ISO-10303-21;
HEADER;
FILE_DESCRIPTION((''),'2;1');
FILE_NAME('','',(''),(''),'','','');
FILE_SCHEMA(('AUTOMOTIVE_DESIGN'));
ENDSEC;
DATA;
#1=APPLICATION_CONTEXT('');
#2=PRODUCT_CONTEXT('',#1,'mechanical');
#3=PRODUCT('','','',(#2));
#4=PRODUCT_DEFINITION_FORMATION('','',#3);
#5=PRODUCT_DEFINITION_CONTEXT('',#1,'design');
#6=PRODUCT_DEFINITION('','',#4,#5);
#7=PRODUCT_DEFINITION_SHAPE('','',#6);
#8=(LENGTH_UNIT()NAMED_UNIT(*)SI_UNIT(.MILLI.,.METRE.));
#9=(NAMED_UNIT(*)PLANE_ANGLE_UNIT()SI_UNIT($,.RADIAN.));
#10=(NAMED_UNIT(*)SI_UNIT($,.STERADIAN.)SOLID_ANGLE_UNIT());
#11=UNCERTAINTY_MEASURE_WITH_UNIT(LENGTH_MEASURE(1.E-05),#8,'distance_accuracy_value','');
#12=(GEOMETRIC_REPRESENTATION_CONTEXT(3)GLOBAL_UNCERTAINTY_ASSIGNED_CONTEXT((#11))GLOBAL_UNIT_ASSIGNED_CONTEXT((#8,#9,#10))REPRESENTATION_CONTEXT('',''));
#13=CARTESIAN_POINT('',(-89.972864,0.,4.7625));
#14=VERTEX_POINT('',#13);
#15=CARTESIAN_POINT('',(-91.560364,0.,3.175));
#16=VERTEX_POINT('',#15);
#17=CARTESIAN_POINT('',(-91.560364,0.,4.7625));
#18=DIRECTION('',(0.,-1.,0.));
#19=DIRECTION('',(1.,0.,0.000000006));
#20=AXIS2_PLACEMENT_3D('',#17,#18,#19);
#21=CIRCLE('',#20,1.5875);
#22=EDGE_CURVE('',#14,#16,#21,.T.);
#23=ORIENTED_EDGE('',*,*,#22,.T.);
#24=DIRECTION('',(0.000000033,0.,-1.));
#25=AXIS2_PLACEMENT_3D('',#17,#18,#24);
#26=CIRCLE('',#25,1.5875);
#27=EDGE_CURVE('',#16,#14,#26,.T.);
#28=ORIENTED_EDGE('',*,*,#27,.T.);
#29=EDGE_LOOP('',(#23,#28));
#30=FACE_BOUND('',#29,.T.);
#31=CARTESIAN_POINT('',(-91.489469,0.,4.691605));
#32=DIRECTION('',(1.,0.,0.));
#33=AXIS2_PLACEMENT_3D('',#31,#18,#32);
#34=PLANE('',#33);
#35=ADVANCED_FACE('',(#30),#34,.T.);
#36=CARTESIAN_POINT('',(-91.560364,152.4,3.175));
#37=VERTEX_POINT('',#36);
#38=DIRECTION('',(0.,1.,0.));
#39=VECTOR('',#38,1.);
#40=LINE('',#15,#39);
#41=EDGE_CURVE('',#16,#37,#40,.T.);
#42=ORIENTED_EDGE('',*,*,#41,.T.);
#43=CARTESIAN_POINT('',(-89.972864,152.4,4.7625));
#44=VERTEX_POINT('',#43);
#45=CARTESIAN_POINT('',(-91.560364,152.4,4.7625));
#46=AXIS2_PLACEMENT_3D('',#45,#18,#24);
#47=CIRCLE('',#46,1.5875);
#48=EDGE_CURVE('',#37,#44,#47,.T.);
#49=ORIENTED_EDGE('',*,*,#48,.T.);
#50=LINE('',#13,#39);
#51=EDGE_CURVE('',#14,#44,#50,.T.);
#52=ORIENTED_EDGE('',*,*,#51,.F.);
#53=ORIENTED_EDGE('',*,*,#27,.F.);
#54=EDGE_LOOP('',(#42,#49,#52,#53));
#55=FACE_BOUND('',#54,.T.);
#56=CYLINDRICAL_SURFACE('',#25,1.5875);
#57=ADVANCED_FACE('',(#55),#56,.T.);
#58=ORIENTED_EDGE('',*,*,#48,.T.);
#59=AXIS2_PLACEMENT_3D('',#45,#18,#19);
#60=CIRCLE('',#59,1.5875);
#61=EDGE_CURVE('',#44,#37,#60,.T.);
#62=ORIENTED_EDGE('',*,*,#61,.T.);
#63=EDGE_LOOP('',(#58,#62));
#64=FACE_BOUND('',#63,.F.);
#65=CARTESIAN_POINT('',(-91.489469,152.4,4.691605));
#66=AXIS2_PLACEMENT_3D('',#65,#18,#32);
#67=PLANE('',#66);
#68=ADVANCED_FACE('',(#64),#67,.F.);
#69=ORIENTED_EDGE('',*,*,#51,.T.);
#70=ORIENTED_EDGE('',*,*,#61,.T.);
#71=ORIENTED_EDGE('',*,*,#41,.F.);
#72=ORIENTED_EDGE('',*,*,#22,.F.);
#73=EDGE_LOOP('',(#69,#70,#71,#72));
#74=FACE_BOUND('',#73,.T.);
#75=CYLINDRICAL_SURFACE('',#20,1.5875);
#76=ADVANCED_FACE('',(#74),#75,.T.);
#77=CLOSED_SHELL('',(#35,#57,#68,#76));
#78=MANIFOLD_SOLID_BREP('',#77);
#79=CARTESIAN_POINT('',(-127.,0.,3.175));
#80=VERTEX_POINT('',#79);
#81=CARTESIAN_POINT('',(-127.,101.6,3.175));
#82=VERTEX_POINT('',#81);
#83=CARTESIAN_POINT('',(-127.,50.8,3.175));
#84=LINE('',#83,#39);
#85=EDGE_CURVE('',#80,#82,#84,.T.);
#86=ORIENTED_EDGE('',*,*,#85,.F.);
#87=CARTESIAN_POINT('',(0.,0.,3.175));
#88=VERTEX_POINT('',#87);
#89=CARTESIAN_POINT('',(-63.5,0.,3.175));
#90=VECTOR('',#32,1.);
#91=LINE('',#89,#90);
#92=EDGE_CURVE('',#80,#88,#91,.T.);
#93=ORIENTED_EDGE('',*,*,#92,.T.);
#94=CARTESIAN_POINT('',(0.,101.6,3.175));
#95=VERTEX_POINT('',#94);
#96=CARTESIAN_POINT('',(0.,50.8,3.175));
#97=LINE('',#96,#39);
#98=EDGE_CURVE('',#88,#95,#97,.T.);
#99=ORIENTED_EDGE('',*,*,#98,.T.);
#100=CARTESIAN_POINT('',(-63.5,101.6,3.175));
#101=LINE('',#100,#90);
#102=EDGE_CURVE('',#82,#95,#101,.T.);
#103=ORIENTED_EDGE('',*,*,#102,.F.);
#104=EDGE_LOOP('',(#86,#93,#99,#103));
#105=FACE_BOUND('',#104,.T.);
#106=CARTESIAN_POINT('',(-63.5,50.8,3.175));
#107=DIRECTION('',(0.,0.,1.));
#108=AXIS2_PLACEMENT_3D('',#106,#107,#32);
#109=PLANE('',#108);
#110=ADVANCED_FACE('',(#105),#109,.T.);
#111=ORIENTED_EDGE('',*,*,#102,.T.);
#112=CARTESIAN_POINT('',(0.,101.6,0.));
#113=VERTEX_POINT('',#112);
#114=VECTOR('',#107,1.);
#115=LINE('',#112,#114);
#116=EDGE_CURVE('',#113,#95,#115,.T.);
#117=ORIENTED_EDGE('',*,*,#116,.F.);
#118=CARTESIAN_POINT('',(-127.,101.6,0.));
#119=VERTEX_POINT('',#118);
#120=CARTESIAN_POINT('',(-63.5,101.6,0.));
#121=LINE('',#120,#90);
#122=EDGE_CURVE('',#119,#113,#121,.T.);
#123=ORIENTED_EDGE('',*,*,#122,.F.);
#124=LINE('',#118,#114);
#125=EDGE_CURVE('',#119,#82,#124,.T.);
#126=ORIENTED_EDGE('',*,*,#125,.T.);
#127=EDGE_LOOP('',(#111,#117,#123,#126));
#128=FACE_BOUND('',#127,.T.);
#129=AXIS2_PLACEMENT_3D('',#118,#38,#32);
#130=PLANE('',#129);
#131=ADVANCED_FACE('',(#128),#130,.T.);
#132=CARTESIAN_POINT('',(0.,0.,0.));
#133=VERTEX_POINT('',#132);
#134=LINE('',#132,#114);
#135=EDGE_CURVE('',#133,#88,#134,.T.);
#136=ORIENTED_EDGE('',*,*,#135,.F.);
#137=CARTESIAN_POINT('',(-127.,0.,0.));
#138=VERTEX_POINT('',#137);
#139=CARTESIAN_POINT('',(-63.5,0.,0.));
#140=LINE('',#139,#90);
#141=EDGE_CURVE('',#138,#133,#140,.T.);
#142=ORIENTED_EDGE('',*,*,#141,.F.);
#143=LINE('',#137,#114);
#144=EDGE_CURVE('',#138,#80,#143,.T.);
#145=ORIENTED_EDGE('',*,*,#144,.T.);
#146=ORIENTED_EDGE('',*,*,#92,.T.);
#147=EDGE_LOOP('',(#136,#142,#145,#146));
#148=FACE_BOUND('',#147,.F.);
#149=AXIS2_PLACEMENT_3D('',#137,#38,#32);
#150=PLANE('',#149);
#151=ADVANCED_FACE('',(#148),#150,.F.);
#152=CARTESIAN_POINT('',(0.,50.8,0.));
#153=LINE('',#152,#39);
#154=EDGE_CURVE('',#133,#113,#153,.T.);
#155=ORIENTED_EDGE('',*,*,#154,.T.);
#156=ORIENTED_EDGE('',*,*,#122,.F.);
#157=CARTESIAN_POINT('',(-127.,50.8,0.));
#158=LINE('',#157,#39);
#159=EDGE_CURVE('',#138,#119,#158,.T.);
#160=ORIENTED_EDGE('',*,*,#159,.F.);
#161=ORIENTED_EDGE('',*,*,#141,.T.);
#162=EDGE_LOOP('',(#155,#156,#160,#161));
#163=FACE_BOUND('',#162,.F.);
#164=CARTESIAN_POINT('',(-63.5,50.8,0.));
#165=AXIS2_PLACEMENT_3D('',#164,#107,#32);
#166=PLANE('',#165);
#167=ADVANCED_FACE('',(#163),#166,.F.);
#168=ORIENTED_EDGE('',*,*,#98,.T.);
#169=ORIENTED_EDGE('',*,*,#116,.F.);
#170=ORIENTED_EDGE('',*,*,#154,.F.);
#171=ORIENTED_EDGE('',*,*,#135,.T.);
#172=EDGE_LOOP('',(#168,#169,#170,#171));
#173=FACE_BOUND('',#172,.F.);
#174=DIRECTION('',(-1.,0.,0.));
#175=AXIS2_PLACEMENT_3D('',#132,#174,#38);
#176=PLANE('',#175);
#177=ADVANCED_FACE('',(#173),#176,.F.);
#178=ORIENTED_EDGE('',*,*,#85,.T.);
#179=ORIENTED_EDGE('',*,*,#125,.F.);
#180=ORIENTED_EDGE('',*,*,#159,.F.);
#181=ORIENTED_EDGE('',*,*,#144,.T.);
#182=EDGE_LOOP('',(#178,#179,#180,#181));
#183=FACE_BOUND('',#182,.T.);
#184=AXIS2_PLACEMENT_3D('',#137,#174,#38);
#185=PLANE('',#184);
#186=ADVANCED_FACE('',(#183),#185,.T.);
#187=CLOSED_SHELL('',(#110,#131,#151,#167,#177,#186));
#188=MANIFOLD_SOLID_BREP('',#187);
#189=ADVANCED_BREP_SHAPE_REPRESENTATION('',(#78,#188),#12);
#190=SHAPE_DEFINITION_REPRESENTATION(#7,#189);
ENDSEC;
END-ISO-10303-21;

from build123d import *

# Parameters (mm, degrees)
F0_W     = 127
F0_H     = 101.6
F1_DEPTH = 3.175
F3_DEPTH = 152.4


with BuildPart() as f1:
    # F0 (on Top) → F1 (new body)
    with BuildSketch(Plane.XY):
        with Locations((-63.5, 50.8)):
            Rectangle(F0_W, F0_H)
    extrude(amount=F1_DEPTH)


with BuildPart() as f3:
    # F2 (on face) → F3 (new body)
    with BuildSketch(Plane.XZ):
        with BuildLine():
            ThreePointArc((-91.560364, 3.175), (-90.437832, 3.639968), (-89.972864, 4.7625))
            ThreePointArc((-89.972864, 4.7625), (-92.682896, 5.885032), (-91.560364, 3.175))
        make_face()
    extrude(amount=-F3_DEPTH)


solid = Compound([f1.part, f3.part])
